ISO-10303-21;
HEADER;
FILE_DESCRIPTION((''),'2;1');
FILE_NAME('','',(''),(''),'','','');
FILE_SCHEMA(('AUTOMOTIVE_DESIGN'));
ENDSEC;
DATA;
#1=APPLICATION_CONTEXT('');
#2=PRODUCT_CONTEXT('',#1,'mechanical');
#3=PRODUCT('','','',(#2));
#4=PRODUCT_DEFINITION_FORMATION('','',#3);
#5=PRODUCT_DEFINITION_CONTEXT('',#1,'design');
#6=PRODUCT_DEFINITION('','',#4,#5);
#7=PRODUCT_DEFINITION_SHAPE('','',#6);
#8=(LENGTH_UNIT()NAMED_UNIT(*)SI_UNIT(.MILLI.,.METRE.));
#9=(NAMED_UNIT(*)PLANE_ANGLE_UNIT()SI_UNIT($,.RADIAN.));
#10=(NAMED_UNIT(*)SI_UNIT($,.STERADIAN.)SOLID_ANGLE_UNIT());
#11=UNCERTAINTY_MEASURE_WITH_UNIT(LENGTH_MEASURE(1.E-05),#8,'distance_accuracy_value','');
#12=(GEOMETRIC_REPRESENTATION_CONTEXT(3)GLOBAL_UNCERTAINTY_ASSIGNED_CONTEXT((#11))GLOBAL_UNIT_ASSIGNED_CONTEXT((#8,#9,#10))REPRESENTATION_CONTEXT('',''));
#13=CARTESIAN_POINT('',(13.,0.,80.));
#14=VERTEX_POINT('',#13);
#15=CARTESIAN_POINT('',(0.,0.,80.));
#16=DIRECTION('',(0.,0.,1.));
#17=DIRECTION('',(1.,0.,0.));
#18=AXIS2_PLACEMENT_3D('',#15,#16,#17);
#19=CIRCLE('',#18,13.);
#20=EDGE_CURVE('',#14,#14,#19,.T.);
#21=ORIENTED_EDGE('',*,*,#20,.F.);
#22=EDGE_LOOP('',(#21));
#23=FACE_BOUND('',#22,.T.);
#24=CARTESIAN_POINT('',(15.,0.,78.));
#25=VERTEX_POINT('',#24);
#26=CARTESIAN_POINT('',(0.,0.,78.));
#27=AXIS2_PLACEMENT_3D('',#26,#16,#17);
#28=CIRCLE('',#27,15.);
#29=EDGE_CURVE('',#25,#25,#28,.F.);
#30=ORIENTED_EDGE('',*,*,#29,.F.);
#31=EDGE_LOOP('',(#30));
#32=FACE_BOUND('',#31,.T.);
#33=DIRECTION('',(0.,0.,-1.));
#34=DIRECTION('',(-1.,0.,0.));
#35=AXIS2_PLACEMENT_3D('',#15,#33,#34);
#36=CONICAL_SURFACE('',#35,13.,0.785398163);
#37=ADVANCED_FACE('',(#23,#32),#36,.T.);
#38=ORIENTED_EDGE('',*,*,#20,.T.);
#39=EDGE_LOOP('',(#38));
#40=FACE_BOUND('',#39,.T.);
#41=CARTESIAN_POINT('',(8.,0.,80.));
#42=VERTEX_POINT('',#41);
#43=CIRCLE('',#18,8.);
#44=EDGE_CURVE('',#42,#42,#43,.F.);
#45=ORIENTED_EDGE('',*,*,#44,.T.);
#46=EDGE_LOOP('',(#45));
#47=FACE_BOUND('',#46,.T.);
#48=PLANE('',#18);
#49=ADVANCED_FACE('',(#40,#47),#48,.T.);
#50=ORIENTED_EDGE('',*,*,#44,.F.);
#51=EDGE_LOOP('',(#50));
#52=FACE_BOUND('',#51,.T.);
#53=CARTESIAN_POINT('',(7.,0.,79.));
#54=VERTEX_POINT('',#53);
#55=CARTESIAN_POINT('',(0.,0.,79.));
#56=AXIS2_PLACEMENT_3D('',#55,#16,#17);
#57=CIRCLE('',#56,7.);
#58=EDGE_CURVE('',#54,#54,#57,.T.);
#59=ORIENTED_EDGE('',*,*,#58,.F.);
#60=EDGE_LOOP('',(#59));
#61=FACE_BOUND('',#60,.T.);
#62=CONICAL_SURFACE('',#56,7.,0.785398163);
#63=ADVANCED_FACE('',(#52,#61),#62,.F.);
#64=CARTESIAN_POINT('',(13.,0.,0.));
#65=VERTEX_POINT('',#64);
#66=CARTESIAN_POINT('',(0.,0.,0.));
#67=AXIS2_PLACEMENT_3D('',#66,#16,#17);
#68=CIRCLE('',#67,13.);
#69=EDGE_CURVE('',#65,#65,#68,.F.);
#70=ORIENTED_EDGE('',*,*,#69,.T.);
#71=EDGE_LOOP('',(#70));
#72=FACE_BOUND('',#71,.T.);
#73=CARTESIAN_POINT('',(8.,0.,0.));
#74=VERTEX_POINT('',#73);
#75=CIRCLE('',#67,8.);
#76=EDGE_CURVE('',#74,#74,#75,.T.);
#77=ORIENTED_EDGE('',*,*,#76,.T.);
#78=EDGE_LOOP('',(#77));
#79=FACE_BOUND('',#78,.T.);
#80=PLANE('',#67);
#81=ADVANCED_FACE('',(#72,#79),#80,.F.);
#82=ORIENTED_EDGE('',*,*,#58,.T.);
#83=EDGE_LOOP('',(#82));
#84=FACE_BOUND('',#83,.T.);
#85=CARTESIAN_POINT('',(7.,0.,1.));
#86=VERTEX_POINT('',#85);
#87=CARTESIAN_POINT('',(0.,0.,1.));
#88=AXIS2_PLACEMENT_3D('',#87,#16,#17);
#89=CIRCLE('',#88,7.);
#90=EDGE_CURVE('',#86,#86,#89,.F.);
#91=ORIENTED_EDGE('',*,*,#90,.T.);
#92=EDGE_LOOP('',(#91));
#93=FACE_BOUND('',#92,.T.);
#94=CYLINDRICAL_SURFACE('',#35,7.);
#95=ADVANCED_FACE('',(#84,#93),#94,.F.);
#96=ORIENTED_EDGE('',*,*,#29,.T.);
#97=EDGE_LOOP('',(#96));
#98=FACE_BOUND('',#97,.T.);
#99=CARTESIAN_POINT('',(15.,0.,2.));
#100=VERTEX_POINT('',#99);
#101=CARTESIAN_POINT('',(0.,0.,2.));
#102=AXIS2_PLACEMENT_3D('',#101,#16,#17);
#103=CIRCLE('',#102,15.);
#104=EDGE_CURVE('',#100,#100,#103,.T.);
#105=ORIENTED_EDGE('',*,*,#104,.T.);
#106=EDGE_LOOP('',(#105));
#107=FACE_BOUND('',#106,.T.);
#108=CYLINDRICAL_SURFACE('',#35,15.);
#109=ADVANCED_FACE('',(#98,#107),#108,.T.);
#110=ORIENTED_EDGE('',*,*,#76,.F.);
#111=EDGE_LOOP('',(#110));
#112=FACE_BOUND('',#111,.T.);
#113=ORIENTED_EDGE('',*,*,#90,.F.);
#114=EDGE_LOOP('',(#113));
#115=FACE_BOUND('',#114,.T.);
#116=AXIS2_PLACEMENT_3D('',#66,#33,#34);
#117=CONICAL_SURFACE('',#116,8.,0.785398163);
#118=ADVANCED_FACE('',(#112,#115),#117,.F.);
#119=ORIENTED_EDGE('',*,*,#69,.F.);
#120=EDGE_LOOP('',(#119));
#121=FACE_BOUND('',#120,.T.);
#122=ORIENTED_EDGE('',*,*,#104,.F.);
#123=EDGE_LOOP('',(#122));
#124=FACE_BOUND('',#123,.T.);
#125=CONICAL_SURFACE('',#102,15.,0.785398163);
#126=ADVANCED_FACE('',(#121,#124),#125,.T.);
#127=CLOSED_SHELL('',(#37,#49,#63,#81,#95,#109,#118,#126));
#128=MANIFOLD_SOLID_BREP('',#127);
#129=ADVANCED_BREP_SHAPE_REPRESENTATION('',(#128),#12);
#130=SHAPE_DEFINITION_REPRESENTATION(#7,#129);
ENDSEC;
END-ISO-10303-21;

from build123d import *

# Parameters (mm, degrees)
SKETCH_1_R      = 15
SKETCH_1_R_2    = 7
EXTRUDE_1_DEPTH = 80
CHAMFER_1_SIZE  = 1
CHAMFER_2_SIZE  = 2


with BuildPart() as part:
    # Эскиз1 → Бобышка-Вытянуть1 (new body)
    with BuildSketch(Plane.XY):
        Circle(SKETCH_1_R)
        Circle(SKETCH_1_R_2, mode=Mode.SUBTRACT)
    extrude(amount=EXTRUDE_1_DEPTH)

    # Фаска1
    chamfer_1_edges = [part.edges().sort_by_distance(p)[0] for p in [
        (-7, 0, 0),
        (-7, 0, 80),
    ]]
    chamfer(chamfer_1_edges, length=CHAMFER_1_SIZE)

    # Фаска2
    chamfer_2_edges = [part.edges().sort_by_distance(p)[0] for p in [
        (-15, 0, 0),
        (-15, 0, 80),
    ]]
    chamfer(chamfer_2_edges, length=CHAMFER_2_SIZE)


solid = part.part
